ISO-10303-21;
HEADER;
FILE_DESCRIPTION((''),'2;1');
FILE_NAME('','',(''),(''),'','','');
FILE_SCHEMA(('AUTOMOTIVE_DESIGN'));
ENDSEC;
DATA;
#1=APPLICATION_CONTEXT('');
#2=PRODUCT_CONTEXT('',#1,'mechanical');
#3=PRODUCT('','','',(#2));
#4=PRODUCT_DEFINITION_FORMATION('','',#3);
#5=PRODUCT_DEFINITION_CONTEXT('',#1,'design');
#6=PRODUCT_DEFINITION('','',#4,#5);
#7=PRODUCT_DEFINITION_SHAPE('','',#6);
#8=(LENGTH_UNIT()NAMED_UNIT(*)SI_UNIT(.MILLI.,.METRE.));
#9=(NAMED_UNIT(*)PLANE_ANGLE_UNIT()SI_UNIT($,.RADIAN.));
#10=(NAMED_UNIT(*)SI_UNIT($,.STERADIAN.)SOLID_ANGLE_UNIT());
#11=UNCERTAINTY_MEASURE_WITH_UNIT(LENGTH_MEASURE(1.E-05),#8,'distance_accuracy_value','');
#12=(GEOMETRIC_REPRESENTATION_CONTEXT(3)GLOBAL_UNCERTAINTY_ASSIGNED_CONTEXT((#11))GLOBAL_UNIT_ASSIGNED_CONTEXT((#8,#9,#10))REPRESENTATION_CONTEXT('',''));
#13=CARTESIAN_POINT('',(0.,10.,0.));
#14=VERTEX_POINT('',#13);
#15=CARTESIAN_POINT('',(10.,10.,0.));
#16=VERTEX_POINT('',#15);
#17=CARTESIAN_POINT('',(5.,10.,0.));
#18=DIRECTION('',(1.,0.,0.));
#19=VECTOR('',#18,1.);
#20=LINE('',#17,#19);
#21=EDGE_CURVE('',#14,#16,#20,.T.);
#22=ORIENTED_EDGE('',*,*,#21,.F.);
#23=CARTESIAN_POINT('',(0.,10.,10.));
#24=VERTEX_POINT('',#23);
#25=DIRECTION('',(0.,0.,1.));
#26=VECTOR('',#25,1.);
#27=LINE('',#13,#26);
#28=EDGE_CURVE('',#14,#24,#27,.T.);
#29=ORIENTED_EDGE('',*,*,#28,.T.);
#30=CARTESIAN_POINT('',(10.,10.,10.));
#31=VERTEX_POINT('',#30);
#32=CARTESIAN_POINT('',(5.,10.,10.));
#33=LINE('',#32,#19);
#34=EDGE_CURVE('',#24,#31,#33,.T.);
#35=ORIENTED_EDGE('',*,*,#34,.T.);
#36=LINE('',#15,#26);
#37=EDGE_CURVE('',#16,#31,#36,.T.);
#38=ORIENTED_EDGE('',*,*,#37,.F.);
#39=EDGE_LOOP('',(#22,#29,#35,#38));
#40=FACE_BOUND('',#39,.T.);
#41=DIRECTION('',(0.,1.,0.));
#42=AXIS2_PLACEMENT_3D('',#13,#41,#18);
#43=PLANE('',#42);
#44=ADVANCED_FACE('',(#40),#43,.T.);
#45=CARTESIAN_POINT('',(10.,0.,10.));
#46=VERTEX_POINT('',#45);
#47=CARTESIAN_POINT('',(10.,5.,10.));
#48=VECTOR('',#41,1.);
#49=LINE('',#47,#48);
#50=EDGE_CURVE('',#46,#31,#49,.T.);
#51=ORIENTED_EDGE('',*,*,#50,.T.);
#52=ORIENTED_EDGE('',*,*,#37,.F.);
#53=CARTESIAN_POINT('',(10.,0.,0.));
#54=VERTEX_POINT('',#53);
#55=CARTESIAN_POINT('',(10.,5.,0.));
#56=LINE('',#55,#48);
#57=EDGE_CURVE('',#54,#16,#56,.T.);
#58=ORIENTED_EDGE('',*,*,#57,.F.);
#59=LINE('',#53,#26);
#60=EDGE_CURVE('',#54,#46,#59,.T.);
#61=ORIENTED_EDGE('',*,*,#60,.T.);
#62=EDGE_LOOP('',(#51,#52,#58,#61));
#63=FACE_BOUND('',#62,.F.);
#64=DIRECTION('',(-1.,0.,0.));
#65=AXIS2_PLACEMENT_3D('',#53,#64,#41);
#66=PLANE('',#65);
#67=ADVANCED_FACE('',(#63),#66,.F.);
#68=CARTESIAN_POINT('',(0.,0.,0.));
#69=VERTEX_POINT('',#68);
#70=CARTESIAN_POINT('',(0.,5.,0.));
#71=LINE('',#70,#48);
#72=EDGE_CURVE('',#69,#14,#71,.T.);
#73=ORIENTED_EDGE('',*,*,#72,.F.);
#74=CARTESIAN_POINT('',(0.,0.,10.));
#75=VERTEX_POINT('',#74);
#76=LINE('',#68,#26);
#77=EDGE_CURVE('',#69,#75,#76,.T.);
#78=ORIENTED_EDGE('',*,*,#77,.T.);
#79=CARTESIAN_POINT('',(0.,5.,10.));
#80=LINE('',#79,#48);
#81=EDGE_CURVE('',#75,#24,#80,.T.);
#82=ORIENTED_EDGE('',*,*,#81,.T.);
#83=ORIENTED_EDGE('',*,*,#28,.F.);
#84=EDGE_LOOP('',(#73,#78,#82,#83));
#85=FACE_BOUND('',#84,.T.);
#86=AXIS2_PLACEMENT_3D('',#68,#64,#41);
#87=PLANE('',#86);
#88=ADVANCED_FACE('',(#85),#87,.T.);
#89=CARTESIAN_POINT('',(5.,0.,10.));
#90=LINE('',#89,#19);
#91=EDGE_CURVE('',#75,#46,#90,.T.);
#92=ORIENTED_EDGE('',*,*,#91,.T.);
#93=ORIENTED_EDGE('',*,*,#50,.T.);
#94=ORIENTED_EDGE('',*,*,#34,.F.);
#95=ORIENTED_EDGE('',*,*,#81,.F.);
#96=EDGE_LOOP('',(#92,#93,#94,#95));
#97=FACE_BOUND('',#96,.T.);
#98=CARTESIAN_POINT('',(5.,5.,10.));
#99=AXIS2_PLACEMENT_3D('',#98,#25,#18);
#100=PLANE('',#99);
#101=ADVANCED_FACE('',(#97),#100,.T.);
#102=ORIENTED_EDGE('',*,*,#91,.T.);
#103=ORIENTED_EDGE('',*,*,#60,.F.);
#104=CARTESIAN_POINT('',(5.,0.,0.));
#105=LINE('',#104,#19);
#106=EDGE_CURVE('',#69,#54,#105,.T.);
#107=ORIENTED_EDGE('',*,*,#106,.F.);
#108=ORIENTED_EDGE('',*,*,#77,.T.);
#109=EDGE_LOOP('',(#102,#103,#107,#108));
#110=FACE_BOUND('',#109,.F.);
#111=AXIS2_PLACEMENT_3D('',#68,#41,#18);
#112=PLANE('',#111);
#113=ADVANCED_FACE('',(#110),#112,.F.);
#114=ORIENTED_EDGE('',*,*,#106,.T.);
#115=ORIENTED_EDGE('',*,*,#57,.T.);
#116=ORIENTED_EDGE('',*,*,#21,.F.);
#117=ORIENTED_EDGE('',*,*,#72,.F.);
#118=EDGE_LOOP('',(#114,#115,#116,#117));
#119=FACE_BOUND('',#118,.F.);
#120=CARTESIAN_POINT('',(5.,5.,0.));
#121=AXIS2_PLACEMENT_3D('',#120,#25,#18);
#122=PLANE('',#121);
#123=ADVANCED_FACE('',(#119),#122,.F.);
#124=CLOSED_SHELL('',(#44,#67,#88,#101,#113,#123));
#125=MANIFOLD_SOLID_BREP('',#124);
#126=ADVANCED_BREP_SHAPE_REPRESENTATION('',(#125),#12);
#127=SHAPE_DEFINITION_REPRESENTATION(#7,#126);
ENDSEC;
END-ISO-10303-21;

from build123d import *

# Parameters (mm, degrees)
MYCUBE_W     = 10
MYCUBE_H     = 10
MYCUBE_DEPTH = 10


with BuildPart() as part:
    # MyCube → MyCube (new body)
    with BuildSketch(Plane.XY):
        with Locations((5, 5)):
            Rectangle(MYCUBE_W, MYCUBE_H)
    extrude(amount=MYCUBE_DEPTH)


solid = part.part
